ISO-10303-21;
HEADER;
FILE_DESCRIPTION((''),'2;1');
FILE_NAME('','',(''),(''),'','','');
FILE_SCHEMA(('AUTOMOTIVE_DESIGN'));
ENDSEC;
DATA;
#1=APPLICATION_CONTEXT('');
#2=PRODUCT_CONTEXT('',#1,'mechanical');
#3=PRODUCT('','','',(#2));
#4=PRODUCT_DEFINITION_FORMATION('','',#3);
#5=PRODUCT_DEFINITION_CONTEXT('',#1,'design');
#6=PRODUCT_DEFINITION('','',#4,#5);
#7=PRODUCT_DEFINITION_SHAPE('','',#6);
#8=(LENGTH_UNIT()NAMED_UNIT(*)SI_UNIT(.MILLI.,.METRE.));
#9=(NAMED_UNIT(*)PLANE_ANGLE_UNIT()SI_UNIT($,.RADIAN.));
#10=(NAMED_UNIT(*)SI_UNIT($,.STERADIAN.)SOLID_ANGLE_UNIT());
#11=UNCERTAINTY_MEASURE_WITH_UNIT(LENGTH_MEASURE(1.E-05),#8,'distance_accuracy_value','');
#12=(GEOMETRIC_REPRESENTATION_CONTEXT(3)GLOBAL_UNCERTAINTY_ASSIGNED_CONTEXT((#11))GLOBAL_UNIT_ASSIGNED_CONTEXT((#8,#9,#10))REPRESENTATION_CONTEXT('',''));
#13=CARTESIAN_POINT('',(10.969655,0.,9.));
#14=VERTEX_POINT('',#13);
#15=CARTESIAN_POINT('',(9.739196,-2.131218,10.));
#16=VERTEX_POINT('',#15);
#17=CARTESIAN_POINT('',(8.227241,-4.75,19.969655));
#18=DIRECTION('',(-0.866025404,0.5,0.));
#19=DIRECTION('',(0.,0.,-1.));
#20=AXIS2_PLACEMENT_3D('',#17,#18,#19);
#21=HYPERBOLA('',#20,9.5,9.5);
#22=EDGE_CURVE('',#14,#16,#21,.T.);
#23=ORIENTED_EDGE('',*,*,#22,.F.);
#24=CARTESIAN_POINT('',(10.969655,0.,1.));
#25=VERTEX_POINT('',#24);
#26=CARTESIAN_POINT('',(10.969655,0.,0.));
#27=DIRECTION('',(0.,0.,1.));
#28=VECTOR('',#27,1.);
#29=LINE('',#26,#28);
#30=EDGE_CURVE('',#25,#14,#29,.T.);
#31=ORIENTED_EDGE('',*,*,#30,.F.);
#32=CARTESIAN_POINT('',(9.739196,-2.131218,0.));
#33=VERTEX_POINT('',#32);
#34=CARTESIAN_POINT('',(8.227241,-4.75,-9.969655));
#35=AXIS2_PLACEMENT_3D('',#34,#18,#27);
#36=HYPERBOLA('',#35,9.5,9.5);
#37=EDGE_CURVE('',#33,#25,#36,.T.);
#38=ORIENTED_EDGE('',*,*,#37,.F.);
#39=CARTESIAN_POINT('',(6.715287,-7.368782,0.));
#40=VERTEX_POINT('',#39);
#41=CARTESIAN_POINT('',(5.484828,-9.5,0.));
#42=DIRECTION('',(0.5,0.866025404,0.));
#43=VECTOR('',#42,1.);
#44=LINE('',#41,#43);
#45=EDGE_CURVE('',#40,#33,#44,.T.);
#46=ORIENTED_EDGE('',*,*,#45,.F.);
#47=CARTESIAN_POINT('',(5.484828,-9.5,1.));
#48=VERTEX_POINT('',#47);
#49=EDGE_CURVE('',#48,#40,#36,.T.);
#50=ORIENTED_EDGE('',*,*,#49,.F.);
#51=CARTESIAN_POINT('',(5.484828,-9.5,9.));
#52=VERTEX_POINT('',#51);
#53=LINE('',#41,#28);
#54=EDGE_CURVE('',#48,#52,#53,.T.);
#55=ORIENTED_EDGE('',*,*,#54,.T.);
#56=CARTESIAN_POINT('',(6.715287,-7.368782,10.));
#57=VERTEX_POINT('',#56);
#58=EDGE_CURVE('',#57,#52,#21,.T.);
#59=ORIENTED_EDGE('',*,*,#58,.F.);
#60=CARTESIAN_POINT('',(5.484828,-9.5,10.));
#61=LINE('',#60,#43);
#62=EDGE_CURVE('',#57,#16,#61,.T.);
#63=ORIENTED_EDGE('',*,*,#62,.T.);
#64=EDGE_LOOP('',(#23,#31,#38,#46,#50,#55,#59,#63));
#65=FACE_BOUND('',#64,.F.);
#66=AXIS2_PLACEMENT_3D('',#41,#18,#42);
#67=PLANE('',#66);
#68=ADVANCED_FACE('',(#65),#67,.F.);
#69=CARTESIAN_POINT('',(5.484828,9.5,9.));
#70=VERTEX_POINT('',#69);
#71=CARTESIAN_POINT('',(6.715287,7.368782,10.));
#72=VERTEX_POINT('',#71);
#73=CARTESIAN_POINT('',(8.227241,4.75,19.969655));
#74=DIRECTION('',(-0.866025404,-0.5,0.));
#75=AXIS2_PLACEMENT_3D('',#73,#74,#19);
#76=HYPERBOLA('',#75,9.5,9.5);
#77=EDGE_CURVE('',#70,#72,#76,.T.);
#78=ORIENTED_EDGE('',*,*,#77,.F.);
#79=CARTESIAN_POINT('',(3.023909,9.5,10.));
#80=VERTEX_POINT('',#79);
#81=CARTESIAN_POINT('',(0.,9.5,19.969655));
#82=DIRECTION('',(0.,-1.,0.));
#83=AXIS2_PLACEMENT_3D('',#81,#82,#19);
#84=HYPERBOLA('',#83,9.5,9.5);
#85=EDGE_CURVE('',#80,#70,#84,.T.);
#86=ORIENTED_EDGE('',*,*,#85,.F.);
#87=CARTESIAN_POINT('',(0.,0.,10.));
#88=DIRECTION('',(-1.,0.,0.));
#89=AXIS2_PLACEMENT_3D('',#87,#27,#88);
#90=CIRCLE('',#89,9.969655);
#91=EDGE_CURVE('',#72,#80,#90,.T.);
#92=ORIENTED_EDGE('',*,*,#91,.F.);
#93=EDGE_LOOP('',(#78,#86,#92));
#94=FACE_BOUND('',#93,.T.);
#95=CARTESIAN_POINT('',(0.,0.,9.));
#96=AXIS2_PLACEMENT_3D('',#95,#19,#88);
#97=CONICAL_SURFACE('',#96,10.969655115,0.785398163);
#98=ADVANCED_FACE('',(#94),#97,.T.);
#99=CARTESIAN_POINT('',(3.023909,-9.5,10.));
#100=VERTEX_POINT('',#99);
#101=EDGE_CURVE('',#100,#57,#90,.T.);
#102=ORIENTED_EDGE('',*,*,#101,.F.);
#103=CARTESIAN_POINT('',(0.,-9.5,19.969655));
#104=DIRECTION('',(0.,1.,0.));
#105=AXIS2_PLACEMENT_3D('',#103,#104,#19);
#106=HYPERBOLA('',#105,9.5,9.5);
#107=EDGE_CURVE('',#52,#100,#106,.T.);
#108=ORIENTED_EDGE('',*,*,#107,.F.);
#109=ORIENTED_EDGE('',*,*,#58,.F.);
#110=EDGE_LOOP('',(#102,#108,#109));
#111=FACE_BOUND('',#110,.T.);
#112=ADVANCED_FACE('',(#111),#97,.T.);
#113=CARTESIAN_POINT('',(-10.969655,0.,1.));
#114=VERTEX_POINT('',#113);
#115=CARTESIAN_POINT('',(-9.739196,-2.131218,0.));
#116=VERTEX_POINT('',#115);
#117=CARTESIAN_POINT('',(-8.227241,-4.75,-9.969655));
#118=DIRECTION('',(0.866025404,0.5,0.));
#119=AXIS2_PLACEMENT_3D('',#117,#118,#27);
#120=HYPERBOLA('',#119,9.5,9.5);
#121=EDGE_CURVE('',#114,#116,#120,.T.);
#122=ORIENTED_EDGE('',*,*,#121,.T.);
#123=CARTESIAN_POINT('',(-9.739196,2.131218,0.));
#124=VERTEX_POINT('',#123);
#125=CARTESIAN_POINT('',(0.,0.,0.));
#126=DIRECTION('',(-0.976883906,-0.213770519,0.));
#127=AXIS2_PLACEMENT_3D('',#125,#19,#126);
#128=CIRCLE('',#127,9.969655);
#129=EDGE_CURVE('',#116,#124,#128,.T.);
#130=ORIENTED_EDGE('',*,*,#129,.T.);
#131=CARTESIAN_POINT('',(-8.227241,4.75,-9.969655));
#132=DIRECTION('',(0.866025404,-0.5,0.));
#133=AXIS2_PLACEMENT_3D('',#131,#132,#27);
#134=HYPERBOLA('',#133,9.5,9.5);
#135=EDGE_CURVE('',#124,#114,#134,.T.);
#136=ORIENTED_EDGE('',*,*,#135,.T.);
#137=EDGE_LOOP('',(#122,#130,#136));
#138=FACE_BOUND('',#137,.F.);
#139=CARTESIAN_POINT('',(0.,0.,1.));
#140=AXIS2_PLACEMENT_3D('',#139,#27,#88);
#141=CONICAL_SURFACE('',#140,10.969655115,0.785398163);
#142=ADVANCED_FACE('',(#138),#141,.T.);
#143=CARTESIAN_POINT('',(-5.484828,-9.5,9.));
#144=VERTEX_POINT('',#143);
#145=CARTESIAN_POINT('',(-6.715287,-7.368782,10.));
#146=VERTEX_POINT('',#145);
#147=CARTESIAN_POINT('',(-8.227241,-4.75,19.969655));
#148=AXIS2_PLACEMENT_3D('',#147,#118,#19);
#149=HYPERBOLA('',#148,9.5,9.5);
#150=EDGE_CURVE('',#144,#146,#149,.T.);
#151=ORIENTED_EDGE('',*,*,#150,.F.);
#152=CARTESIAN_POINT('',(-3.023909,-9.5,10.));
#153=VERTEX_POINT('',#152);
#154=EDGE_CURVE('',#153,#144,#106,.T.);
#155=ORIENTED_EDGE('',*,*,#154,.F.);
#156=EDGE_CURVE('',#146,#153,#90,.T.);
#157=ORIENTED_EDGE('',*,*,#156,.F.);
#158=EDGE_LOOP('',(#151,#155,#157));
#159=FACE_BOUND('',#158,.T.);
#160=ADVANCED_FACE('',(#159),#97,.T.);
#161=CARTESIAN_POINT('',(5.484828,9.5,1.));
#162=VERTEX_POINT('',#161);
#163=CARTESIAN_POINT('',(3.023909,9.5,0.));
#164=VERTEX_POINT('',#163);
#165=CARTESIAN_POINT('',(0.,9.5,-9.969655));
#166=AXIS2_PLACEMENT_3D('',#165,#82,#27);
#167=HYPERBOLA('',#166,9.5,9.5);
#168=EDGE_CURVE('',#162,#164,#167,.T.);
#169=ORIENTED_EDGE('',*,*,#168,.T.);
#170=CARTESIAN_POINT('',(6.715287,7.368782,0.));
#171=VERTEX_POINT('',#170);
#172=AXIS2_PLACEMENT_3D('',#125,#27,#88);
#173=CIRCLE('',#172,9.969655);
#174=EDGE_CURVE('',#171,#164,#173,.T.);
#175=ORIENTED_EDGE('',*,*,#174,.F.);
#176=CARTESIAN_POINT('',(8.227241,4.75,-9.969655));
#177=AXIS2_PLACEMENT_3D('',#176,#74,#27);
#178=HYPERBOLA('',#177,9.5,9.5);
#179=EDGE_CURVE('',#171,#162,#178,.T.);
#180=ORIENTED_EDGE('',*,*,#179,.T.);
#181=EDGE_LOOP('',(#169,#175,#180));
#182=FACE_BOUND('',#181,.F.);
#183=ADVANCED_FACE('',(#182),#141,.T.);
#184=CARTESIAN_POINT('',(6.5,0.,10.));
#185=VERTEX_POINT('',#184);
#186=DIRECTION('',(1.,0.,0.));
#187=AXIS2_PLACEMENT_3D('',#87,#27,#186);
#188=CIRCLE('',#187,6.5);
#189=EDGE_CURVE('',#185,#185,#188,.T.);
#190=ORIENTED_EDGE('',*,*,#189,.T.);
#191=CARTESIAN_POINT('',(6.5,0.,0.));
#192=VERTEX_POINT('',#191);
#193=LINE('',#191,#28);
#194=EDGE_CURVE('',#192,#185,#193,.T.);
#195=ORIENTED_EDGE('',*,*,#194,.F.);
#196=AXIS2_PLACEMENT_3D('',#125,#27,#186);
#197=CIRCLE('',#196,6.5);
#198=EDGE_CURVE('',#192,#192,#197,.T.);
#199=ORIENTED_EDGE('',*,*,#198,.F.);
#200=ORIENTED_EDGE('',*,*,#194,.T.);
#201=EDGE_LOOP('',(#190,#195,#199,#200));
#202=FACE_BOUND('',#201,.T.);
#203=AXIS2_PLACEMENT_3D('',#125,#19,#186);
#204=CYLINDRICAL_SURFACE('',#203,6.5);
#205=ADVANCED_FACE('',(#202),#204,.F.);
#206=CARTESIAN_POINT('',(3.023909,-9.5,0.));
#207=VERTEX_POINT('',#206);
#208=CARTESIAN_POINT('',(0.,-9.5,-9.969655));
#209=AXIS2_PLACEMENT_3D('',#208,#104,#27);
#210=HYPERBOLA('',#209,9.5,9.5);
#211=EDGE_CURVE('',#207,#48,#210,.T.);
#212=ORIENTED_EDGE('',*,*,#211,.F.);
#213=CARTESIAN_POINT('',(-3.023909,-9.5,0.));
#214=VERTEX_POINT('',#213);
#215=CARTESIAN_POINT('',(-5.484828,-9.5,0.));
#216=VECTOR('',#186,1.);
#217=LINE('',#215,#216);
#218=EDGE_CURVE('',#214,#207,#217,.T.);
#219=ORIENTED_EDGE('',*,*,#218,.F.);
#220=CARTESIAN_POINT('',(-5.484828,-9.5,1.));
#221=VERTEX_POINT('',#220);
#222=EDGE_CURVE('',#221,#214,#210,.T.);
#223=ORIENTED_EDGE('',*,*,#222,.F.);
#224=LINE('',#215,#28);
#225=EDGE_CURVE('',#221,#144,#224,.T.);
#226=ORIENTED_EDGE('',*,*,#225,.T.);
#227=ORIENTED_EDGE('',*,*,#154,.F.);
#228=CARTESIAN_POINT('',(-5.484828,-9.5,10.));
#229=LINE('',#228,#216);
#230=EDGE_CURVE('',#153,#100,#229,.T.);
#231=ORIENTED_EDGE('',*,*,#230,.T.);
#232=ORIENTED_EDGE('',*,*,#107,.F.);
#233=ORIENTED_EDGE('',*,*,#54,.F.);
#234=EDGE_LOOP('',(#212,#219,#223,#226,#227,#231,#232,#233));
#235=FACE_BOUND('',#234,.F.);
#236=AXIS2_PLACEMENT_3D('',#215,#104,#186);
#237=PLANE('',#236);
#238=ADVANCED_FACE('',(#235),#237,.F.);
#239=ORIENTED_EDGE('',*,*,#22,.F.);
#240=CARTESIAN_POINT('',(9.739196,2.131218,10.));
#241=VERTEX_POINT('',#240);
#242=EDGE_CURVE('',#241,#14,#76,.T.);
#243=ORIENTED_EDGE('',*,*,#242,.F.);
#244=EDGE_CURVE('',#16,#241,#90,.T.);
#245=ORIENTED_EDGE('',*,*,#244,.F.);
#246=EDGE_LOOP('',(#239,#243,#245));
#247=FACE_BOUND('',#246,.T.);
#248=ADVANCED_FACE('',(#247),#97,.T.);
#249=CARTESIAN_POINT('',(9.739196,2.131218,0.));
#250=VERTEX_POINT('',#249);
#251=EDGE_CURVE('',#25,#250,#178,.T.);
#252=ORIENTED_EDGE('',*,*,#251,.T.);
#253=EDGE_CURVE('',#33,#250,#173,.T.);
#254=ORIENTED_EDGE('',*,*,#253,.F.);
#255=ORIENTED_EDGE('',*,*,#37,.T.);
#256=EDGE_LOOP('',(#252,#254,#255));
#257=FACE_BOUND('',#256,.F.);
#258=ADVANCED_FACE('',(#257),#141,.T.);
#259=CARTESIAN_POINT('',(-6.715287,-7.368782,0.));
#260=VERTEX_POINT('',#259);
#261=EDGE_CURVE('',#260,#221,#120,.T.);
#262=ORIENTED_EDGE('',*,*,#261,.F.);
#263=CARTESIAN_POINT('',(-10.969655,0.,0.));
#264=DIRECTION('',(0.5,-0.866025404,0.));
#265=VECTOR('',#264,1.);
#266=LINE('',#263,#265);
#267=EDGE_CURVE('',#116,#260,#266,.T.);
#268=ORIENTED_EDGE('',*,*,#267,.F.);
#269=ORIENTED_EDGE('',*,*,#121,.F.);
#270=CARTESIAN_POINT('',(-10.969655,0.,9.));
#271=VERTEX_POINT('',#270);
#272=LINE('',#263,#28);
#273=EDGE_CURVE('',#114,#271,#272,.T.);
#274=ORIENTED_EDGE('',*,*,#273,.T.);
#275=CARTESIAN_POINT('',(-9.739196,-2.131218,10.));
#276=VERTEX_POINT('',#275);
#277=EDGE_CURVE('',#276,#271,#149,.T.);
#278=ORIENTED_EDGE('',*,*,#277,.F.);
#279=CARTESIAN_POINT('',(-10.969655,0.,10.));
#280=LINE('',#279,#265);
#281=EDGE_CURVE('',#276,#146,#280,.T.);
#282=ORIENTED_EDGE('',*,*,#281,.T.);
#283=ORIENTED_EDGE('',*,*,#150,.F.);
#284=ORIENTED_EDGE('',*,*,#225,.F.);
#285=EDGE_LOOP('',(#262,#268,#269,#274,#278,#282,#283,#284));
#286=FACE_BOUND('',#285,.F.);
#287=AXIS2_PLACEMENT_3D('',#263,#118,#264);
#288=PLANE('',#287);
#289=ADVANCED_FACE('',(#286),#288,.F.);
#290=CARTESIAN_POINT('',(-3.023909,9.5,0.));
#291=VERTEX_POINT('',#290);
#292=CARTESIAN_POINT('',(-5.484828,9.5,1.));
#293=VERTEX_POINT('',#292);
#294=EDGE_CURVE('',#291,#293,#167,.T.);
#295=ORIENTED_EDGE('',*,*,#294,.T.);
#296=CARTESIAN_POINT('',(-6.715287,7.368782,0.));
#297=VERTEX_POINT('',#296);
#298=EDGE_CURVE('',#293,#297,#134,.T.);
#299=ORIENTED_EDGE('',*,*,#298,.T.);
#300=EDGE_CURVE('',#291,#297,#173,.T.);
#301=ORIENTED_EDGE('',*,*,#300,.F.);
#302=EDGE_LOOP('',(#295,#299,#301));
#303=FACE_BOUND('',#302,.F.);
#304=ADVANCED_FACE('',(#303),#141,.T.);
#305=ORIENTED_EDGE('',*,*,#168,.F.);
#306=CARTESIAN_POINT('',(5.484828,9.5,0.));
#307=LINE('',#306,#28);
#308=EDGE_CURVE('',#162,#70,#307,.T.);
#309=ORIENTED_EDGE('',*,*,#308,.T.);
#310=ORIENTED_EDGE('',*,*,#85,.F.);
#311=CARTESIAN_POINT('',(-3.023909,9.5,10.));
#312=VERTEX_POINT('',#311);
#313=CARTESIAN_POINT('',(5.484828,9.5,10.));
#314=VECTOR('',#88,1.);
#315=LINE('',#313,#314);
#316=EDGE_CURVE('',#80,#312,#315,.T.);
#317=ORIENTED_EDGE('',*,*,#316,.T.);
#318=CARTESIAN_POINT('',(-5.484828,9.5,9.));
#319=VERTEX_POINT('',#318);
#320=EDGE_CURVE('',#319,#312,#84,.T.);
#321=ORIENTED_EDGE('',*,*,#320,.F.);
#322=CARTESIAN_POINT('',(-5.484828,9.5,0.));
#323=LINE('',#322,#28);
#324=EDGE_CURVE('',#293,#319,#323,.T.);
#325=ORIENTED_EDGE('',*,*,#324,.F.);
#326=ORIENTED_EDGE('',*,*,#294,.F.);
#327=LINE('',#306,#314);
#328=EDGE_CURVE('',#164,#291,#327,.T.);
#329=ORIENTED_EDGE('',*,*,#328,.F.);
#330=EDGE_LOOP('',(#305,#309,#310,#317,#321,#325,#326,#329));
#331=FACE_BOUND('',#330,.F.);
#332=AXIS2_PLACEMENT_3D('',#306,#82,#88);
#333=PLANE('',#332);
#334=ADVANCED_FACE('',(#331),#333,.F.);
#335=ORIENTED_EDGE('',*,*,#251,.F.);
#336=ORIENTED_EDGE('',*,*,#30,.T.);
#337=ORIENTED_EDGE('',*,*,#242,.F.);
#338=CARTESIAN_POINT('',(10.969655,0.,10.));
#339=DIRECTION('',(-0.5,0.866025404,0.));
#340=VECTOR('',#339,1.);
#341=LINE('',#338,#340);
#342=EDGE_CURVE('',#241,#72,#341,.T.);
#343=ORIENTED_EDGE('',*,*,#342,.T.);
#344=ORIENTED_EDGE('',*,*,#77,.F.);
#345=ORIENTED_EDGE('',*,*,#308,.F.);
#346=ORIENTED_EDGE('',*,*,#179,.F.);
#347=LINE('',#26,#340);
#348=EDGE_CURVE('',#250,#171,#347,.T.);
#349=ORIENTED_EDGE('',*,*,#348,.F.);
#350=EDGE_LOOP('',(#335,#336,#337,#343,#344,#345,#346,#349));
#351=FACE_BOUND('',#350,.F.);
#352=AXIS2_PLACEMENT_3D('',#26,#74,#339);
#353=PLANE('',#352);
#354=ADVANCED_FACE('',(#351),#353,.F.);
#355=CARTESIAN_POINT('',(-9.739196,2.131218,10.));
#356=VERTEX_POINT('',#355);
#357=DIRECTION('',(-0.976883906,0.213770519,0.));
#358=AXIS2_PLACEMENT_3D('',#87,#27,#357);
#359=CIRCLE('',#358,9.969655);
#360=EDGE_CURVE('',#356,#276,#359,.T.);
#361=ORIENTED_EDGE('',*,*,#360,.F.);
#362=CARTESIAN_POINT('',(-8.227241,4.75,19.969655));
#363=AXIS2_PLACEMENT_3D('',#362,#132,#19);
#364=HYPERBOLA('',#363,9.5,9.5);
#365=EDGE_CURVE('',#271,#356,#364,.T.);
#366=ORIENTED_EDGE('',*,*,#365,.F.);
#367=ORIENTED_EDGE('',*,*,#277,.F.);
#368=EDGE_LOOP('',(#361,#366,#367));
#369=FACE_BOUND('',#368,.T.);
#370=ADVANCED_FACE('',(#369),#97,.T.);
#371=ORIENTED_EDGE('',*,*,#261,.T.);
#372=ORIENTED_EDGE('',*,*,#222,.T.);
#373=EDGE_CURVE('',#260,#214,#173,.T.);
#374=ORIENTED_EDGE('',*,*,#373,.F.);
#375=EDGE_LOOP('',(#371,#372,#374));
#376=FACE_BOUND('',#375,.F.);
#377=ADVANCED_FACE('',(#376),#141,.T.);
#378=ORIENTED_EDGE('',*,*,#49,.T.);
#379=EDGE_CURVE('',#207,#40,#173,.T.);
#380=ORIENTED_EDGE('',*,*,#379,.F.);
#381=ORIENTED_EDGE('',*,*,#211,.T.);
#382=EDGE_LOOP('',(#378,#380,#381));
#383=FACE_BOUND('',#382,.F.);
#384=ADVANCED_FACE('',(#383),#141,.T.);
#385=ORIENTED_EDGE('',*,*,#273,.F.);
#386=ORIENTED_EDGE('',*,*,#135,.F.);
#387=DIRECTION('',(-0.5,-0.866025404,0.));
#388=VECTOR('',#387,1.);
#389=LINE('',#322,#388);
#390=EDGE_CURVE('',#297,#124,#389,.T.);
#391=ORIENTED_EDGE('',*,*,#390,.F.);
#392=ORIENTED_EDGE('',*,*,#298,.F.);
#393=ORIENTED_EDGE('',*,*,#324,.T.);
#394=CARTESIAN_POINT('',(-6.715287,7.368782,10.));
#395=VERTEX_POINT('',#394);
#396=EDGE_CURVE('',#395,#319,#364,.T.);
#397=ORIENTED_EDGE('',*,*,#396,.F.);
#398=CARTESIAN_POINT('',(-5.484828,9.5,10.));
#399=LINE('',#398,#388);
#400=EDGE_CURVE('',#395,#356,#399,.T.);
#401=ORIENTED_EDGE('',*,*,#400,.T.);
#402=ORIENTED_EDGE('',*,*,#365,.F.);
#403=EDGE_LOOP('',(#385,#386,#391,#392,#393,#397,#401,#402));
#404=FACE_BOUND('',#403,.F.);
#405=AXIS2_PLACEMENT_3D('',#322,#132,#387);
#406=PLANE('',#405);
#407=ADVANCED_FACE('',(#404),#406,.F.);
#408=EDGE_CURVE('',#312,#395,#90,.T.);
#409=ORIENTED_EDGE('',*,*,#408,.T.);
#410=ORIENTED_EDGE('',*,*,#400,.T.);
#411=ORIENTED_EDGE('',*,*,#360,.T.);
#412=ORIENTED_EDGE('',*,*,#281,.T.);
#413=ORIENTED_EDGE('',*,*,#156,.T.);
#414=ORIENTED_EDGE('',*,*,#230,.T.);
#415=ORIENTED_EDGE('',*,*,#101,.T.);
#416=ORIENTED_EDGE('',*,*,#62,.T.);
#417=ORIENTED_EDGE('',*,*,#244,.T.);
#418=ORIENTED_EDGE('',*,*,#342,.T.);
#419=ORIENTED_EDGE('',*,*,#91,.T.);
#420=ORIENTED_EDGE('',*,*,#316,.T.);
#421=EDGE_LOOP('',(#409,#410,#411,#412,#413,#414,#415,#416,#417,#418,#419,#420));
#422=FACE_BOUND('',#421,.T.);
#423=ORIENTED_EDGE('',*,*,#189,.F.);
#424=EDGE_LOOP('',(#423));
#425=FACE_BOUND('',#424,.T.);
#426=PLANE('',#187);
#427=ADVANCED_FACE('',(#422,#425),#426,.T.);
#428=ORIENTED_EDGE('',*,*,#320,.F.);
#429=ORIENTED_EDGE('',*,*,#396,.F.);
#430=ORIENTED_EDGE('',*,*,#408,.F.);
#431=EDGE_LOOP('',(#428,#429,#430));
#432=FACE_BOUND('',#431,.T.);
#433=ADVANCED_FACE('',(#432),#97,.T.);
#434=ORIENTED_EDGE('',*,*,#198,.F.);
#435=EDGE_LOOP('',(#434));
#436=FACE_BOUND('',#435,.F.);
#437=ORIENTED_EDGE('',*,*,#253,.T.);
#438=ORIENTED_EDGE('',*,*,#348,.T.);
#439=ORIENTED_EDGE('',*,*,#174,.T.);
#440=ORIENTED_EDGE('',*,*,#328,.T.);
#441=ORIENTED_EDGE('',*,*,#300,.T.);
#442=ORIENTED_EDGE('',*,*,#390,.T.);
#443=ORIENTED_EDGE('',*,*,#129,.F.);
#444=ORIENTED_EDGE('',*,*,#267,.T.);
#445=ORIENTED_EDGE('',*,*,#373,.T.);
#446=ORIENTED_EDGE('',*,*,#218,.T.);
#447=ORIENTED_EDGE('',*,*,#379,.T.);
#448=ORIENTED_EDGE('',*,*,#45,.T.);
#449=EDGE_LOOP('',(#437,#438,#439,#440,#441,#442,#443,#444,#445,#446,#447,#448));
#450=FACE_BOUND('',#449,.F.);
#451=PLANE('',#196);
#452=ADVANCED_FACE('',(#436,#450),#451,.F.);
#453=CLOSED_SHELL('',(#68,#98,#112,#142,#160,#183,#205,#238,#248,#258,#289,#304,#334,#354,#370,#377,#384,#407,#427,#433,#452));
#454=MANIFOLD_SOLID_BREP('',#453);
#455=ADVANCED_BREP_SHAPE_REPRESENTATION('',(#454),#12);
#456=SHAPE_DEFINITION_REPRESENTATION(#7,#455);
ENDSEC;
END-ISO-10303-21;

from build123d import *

# Parameters (mm, degrees)
SKETCH1_R           = 6.5
BOSS_EXTRUDE1_DEPTH = 10


with BuildPart() as part:
    # Sketch1 → Boss-Extrude1 (new body)
    with BuildSketch(Plane.XY):
        Polygon((10.969655115, 0), (5.484827557, 9.5), (-5.484827557, 9.5), (-10.969655115, 0), (-5.484827557, -9.5), (5.484827557, -9.5), align=None)
        Circle(SKETCH1_R, mode=Mode.SUBTRACT)
    extrude(amount=BOSS_EXTRUDE1_DEPTH)

    # Sketch2 → Cut-Revolve3 (revolve, cut)
    with BuildSketch(Plane(origin=(0, 0, 0), x_dir=(0, 0, -1), z_dir=(0, 1, 0))):
        Polygon((-9, 10.969655115), (-10, 9.969655115), (-10, 10.969655115), align=None)
        Polygon((-1, 10.969655115), (0, 9.969655115), (0, 10.969655115), align=None)
    revolve(axis=Axis((0, 0, 0), (0, 0, 1)), mode=Mode.SUBTRACT)


solid = part.part
